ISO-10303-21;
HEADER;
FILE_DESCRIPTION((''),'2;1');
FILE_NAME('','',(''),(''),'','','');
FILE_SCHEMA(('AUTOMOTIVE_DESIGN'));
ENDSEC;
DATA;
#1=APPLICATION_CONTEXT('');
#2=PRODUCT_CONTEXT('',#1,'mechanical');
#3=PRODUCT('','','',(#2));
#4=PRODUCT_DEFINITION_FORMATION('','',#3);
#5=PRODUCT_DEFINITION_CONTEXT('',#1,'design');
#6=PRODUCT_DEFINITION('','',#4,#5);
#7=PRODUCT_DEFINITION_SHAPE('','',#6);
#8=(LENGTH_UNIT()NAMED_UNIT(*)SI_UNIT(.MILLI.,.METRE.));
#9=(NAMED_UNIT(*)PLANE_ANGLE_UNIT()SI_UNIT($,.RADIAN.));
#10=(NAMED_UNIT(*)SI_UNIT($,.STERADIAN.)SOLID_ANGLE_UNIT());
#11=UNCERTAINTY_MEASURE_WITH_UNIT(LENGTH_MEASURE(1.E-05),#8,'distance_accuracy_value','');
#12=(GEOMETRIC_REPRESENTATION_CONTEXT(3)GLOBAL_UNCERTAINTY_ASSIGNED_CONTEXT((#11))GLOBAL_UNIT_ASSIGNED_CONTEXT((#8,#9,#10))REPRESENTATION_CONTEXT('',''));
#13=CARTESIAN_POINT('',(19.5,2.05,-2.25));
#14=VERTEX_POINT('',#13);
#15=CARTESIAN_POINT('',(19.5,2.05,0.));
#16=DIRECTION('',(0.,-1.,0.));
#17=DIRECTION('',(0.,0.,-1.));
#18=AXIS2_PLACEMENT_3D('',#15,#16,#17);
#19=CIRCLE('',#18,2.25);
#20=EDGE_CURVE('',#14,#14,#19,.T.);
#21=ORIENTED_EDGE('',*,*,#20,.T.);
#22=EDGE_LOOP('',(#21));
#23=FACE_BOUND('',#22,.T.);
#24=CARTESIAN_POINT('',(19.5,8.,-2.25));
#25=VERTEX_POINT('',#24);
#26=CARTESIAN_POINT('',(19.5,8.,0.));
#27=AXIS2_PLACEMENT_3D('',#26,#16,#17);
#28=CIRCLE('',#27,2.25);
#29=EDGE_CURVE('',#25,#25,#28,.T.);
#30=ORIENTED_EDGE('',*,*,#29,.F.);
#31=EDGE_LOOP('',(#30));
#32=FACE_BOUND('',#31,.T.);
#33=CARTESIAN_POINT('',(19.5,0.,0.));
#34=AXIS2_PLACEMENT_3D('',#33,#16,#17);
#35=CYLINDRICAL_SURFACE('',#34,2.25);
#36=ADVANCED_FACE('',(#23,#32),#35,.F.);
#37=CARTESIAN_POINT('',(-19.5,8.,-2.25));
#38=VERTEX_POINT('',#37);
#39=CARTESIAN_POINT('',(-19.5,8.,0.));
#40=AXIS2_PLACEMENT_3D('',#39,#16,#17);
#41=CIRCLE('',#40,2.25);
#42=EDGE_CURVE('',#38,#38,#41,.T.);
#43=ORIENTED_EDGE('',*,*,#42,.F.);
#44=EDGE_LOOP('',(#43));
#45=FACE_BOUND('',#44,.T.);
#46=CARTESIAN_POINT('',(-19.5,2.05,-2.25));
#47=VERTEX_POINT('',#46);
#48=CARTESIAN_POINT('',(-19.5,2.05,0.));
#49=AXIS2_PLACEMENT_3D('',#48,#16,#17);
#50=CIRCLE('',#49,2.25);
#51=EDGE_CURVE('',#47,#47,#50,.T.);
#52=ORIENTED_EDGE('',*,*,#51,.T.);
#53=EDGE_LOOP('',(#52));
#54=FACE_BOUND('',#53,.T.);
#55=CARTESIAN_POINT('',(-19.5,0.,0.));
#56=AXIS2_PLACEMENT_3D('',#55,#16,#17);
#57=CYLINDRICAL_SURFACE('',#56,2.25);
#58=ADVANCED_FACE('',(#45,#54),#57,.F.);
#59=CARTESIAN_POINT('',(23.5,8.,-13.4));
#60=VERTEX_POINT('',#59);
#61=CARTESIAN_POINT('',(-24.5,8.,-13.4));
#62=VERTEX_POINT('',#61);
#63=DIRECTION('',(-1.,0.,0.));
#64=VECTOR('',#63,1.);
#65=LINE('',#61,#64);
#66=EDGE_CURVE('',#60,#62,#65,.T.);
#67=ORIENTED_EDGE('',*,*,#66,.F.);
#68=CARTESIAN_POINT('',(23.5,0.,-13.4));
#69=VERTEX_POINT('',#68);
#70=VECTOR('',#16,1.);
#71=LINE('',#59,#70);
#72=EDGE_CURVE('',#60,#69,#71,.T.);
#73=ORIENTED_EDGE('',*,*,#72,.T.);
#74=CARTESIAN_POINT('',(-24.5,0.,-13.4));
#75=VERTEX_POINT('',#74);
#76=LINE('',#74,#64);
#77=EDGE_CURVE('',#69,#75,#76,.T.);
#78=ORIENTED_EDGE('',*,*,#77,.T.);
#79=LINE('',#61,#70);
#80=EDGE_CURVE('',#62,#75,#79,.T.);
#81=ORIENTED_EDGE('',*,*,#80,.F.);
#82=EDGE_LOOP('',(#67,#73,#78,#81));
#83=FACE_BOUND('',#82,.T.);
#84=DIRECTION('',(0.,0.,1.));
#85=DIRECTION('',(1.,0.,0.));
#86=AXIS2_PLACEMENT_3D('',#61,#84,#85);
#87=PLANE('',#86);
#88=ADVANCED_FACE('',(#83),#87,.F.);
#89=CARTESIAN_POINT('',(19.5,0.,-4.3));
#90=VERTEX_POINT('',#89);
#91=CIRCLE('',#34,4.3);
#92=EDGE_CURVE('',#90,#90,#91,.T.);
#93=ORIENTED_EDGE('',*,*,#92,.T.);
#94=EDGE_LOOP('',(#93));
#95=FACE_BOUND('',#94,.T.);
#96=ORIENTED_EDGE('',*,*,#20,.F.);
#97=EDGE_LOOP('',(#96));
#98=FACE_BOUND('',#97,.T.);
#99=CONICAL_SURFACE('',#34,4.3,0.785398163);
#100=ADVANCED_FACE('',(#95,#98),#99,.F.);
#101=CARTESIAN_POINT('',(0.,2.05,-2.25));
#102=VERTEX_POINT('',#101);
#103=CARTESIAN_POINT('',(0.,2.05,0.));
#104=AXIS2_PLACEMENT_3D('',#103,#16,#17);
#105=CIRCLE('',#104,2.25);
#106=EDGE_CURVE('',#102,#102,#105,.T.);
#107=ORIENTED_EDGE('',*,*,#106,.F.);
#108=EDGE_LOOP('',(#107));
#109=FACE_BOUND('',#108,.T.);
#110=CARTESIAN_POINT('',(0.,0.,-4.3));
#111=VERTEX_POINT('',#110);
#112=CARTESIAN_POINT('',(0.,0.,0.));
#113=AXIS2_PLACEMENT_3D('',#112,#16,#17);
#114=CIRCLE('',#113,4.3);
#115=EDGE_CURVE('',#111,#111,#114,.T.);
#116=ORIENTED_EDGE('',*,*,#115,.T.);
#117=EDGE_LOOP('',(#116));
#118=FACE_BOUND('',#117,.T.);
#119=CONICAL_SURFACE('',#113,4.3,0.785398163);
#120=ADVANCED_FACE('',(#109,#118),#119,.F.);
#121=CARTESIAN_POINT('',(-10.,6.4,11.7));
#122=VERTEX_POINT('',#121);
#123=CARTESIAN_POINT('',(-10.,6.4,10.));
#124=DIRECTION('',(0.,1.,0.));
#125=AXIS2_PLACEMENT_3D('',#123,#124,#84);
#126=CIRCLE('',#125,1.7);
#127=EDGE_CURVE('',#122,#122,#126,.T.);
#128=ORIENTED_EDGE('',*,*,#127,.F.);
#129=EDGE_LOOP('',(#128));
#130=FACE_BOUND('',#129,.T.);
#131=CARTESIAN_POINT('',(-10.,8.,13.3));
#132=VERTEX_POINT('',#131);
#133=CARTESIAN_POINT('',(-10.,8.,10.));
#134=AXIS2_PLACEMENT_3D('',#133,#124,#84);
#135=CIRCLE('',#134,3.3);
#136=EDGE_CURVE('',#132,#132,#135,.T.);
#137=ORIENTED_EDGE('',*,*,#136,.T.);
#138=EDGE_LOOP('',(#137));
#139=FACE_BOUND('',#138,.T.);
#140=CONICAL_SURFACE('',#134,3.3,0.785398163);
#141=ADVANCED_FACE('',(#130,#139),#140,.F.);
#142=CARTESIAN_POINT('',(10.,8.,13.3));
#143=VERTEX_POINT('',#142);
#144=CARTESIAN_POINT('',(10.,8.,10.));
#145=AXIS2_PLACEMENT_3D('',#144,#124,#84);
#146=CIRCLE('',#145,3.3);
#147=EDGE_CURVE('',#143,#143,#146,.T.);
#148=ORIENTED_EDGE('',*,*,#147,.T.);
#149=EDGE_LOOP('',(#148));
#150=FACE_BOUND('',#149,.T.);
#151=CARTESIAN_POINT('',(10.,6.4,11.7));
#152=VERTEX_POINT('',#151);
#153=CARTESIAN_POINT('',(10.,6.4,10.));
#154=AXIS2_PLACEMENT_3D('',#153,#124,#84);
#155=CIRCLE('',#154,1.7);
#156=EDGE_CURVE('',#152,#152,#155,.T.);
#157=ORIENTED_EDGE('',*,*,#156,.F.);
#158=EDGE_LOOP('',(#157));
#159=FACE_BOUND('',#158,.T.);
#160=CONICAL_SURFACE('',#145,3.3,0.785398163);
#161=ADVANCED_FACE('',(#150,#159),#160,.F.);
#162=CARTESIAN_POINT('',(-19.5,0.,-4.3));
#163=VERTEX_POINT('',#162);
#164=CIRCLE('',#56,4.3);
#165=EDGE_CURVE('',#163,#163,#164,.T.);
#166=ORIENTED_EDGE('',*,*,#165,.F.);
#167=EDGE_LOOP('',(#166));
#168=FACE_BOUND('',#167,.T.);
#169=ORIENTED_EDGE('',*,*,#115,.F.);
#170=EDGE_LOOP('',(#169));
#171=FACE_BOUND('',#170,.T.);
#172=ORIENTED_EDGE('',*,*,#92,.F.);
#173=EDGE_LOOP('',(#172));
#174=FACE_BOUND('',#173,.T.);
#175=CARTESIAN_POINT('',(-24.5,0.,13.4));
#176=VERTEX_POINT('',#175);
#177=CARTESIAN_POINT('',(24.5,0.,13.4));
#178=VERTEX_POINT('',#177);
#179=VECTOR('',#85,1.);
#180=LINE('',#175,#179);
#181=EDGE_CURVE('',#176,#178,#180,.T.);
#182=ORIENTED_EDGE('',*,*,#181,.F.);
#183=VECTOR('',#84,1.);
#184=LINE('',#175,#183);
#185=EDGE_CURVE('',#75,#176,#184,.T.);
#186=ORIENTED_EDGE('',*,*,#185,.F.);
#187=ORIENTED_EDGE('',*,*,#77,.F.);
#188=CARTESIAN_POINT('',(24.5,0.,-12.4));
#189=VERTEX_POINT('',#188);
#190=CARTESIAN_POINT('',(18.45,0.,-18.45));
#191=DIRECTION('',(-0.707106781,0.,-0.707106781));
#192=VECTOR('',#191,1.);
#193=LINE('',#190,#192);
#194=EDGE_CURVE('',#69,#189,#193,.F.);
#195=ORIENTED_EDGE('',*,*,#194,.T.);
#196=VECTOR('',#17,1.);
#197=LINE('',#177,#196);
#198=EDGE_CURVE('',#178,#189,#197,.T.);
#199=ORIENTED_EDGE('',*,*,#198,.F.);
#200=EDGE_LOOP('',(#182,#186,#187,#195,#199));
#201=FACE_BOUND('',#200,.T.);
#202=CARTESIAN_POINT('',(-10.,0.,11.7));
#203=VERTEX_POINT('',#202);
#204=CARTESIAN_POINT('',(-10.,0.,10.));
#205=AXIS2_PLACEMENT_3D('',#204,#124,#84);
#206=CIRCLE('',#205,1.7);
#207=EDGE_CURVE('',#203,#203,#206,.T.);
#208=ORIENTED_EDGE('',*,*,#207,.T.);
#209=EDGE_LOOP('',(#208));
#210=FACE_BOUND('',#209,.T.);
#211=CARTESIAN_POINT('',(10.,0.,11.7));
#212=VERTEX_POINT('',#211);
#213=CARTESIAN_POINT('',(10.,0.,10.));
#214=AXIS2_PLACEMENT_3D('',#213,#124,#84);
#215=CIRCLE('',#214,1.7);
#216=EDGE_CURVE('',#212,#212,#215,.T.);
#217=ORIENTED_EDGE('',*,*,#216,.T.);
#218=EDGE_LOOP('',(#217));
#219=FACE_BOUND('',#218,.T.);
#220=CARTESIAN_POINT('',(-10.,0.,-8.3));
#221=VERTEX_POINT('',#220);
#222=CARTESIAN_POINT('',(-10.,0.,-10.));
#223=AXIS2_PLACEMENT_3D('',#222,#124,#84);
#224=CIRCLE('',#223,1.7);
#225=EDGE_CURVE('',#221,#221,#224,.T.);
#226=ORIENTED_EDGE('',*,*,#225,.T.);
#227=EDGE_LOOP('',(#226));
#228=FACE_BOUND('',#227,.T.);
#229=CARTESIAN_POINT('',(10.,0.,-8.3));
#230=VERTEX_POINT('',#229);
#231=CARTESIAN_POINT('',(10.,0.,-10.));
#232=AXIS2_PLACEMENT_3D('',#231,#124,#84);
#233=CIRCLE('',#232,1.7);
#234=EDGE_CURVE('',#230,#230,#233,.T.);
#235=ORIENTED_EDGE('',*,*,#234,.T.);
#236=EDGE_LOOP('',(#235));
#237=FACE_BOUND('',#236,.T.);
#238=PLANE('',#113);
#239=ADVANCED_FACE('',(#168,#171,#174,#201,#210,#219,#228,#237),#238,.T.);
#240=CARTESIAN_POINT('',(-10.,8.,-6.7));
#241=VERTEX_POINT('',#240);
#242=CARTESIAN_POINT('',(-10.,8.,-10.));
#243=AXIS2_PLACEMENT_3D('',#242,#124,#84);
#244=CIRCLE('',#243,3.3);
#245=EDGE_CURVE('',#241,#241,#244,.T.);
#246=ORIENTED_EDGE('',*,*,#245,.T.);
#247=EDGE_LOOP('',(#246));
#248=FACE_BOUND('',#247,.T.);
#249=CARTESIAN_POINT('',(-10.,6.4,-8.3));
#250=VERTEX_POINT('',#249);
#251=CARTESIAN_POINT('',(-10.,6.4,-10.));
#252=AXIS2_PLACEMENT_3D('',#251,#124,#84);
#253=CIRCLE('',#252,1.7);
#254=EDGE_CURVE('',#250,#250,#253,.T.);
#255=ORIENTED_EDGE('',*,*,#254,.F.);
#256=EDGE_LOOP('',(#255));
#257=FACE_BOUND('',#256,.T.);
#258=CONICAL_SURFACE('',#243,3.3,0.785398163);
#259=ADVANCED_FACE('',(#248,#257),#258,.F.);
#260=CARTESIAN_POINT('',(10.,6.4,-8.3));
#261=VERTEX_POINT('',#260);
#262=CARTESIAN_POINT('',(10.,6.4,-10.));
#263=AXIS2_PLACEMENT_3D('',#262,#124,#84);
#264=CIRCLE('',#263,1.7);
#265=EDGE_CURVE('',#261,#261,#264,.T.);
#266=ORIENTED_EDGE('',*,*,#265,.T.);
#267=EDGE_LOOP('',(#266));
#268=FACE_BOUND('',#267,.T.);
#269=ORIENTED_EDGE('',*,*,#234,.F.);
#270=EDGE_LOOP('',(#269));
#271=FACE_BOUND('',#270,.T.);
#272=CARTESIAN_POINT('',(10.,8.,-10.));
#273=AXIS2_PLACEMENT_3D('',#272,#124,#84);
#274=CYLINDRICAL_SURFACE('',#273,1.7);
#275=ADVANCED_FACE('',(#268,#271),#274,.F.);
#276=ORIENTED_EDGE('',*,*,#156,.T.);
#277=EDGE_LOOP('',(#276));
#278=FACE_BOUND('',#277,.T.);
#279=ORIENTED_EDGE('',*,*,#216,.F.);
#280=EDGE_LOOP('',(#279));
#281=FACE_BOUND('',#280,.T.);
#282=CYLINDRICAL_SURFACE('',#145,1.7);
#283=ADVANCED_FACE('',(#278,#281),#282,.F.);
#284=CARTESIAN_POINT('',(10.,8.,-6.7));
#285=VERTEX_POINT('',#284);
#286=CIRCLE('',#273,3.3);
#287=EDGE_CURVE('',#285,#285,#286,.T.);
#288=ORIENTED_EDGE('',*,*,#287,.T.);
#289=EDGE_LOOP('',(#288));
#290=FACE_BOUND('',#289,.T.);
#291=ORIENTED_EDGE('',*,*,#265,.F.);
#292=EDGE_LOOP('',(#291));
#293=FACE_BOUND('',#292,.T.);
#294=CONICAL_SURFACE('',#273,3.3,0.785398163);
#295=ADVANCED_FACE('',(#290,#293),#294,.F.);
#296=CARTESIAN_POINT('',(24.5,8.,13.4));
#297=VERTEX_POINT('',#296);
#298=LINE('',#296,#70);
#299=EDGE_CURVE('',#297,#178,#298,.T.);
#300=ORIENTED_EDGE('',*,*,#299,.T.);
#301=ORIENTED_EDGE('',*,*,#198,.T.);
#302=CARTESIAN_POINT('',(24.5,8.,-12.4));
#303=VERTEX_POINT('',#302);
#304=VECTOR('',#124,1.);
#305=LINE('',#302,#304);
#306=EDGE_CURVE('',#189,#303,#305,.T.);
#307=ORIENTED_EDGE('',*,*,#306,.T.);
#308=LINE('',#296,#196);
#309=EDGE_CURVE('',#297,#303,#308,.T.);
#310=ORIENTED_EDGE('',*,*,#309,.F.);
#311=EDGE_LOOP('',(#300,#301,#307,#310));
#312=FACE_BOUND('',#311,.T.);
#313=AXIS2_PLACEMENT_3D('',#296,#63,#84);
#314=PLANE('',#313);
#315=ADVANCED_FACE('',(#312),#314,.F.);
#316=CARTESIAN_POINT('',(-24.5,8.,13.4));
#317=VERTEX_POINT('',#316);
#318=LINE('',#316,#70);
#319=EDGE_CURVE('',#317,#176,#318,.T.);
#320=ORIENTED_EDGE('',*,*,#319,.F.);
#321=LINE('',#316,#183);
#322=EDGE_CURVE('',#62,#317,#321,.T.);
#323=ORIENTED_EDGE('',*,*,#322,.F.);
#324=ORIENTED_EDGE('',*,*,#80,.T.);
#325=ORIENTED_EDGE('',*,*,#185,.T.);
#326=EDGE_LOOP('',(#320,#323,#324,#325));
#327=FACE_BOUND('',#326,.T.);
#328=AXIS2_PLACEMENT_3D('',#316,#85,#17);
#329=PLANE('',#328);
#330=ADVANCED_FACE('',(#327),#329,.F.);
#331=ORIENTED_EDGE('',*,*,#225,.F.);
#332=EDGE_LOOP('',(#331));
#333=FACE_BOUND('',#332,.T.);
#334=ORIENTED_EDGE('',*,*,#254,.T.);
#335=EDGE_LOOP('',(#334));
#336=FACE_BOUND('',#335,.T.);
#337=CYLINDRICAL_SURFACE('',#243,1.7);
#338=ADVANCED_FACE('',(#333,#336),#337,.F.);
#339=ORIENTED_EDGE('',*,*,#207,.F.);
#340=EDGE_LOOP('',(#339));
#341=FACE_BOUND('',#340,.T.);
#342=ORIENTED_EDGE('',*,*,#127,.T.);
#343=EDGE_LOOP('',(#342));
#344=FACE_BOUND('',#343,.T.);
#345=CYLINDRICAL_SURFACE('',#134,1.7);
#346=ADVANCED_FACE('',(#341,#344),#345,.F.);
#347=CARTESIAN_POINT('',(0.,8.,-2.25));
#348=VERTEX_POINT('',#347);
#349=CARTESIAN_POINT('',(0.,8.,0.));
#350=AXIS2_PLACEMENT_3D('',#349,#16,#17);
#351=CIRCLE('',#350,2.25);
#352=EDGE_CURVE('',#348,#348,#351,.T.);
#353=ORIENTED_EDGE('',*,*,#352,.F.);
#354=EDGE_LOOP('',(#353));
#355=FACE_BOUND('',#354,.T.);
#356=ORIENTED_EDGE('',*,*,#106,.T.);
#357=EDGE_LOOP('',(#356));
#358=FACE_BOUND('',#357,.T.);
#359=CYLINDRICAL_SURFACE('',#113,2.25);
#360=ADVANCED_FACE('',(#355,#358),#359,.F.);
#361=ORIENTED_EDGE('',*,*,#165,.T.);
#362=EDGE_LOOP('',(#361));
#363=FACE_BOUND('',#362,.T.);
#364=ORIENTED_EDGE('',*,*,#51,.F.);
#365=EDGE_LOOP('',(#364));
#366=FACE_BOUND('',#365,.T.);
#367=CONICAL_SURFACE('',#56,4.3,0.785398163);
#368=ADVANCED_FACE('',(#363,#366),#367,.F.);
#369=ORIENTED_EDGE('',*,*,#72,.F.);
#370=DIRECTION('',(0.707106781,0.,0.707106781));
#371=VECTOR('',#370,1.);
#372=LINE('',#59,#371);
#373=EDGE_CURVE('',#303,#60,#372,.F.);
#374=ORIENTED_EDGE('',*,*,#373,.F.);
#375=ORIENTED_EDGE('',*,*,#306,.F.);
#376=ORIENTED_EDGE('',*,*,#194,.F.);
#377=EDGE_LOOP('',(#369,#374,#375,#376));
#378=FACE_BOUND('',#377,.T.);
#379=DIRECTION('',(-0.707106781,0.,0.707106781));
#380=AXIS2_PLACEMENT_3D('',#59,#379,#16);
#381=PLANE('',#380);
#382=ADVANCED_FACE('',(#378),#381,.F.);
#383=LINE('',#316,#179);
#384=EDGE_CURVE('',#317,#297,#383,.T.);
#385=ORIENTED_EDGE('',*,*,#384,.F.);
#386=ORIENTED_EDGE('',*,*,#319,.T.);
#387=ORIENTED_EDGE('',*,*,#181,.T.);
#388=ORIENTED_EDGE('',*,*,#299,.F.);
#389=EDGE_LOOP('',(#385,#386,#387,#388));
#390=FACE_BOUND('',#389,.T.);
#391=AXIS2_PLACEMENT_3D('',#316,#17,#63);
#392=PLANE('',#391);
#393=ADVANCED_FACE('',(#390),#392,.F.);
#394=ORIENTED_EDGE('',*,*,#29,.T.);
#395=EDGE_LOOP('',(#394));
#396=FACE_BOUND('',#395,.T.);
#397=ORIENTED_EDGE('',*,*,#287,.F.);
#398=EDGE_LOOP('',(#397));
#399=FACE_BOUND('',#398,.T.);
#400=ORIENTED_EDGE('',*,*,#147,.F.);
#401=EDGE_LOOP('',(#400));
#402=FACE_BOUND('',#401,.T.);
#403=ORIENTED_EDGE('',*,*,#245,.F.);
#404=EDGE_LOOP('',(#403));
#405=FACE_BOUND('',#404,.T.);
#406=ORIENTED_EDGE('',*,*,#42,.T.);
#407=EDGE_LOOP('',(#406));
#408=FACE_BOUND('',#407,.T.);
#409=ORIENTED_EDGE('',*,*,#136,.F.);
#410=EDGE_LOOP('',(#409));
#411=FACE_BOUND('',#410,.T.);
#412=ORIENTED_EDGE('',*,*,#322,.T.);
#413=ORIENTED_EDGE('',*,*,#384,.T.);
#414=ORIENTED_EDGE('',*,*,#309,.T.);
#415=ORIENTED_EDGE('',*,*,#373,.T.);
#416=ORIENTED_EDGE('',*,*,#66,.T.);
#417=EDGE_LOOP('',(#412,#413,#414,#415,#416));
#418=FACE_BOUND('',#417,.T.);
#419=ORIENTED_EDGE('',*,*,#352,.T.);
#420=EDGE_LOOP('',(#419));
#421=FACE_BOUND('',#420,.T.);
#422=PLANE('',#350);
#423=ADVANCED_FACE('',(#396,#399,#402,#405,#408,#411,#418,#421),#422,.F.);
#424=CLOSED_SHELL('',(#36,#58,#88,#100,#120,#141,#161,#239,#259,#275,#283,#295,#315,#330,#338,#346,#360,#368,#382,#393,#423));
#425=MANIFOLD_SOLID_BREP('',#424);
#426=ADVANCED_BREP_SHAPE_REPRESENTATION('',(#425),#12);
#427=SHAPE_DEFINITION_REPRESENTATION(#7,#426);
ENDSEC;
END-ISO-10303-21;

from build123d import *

# Parameters (mm, degrees)
SKETCH_1_W                   = 49
SKETCH_1_H                   = 26.8
EXTRUDE_1_DEPTH              = 8
HOLE_WIZARD_M3_1_D           = 3.4
HOLE_WIZARD_M3_1_CSINK_D     = 6.6
HOLE_WIZARD_M3_1_CSINK_ANGLE = 90
HOLE_WIZARD_M4_1_D           = 4.5
HOLE_WIZARD_M4_1_CSINK_D     = 8.6
HOLE_WIZARD_M4_1_CSINK_ANGLE = 90
CHAMFER_1_SIZE               = 1


with BuildPart() as part:
    # 草图1 → 凸台-拉伸1 (new body)
    with BuildSketch(Plane(origin=(0, 0, 0), x_dir=(1, 0, 0), z_dir=(0, 1, 0))):
        Rectangle(SKETCH_1_W, SKETCH_1_H)
    extrude(amount=EXTRUDE_1_DEPTH)

    # M3 十字槽沉头木螺钉的锥形沉头孔1 (through all)
    with Locations(Plane(origin=(0, 8, 0), x_dir=(1, 0, 0), z_dir=(0, 1, 0))):
        with Locations((-10, -10), (10, -10), (10, 10), (-10, 10)):
            CounterSinkHole(HOLE_WIZARD_M3_1_D / 2, HOLE_WIZARD_M3_1_CSINK_D / 2, counter_sink_angle=HOLE_WIZARD_M3_1_CSINK_ANGLE)

    # M4 十字槽沉头木螺钉的锥形沉头孔1 (through all)
    with Locations(Plane(origin=(0, 0, 0), x_dir=(-1, 0, 0), z_dir=(0, -1, 0))):
        with Locations((19.5, 0), (0, 0), (-19.5, 0)):
            CounterSinkHole(HOLE_WIZARD_M4_1_D / 2, HOLE_WIZARD_M4_1_CSINK_D / 2, counter_sink_angle=HOLE_WIZARD_M4_1_CSINK_ANGLE)

    # 倒角1
    chamfer_1_edges = [part.edges().sort_by_distance(p)[0] for p in [
        (24.5, 4, -13.4),
    ]]
    chamfer(chamfer_1_edges, length=CHAMFER_1_SIZE)


solid = part.part
